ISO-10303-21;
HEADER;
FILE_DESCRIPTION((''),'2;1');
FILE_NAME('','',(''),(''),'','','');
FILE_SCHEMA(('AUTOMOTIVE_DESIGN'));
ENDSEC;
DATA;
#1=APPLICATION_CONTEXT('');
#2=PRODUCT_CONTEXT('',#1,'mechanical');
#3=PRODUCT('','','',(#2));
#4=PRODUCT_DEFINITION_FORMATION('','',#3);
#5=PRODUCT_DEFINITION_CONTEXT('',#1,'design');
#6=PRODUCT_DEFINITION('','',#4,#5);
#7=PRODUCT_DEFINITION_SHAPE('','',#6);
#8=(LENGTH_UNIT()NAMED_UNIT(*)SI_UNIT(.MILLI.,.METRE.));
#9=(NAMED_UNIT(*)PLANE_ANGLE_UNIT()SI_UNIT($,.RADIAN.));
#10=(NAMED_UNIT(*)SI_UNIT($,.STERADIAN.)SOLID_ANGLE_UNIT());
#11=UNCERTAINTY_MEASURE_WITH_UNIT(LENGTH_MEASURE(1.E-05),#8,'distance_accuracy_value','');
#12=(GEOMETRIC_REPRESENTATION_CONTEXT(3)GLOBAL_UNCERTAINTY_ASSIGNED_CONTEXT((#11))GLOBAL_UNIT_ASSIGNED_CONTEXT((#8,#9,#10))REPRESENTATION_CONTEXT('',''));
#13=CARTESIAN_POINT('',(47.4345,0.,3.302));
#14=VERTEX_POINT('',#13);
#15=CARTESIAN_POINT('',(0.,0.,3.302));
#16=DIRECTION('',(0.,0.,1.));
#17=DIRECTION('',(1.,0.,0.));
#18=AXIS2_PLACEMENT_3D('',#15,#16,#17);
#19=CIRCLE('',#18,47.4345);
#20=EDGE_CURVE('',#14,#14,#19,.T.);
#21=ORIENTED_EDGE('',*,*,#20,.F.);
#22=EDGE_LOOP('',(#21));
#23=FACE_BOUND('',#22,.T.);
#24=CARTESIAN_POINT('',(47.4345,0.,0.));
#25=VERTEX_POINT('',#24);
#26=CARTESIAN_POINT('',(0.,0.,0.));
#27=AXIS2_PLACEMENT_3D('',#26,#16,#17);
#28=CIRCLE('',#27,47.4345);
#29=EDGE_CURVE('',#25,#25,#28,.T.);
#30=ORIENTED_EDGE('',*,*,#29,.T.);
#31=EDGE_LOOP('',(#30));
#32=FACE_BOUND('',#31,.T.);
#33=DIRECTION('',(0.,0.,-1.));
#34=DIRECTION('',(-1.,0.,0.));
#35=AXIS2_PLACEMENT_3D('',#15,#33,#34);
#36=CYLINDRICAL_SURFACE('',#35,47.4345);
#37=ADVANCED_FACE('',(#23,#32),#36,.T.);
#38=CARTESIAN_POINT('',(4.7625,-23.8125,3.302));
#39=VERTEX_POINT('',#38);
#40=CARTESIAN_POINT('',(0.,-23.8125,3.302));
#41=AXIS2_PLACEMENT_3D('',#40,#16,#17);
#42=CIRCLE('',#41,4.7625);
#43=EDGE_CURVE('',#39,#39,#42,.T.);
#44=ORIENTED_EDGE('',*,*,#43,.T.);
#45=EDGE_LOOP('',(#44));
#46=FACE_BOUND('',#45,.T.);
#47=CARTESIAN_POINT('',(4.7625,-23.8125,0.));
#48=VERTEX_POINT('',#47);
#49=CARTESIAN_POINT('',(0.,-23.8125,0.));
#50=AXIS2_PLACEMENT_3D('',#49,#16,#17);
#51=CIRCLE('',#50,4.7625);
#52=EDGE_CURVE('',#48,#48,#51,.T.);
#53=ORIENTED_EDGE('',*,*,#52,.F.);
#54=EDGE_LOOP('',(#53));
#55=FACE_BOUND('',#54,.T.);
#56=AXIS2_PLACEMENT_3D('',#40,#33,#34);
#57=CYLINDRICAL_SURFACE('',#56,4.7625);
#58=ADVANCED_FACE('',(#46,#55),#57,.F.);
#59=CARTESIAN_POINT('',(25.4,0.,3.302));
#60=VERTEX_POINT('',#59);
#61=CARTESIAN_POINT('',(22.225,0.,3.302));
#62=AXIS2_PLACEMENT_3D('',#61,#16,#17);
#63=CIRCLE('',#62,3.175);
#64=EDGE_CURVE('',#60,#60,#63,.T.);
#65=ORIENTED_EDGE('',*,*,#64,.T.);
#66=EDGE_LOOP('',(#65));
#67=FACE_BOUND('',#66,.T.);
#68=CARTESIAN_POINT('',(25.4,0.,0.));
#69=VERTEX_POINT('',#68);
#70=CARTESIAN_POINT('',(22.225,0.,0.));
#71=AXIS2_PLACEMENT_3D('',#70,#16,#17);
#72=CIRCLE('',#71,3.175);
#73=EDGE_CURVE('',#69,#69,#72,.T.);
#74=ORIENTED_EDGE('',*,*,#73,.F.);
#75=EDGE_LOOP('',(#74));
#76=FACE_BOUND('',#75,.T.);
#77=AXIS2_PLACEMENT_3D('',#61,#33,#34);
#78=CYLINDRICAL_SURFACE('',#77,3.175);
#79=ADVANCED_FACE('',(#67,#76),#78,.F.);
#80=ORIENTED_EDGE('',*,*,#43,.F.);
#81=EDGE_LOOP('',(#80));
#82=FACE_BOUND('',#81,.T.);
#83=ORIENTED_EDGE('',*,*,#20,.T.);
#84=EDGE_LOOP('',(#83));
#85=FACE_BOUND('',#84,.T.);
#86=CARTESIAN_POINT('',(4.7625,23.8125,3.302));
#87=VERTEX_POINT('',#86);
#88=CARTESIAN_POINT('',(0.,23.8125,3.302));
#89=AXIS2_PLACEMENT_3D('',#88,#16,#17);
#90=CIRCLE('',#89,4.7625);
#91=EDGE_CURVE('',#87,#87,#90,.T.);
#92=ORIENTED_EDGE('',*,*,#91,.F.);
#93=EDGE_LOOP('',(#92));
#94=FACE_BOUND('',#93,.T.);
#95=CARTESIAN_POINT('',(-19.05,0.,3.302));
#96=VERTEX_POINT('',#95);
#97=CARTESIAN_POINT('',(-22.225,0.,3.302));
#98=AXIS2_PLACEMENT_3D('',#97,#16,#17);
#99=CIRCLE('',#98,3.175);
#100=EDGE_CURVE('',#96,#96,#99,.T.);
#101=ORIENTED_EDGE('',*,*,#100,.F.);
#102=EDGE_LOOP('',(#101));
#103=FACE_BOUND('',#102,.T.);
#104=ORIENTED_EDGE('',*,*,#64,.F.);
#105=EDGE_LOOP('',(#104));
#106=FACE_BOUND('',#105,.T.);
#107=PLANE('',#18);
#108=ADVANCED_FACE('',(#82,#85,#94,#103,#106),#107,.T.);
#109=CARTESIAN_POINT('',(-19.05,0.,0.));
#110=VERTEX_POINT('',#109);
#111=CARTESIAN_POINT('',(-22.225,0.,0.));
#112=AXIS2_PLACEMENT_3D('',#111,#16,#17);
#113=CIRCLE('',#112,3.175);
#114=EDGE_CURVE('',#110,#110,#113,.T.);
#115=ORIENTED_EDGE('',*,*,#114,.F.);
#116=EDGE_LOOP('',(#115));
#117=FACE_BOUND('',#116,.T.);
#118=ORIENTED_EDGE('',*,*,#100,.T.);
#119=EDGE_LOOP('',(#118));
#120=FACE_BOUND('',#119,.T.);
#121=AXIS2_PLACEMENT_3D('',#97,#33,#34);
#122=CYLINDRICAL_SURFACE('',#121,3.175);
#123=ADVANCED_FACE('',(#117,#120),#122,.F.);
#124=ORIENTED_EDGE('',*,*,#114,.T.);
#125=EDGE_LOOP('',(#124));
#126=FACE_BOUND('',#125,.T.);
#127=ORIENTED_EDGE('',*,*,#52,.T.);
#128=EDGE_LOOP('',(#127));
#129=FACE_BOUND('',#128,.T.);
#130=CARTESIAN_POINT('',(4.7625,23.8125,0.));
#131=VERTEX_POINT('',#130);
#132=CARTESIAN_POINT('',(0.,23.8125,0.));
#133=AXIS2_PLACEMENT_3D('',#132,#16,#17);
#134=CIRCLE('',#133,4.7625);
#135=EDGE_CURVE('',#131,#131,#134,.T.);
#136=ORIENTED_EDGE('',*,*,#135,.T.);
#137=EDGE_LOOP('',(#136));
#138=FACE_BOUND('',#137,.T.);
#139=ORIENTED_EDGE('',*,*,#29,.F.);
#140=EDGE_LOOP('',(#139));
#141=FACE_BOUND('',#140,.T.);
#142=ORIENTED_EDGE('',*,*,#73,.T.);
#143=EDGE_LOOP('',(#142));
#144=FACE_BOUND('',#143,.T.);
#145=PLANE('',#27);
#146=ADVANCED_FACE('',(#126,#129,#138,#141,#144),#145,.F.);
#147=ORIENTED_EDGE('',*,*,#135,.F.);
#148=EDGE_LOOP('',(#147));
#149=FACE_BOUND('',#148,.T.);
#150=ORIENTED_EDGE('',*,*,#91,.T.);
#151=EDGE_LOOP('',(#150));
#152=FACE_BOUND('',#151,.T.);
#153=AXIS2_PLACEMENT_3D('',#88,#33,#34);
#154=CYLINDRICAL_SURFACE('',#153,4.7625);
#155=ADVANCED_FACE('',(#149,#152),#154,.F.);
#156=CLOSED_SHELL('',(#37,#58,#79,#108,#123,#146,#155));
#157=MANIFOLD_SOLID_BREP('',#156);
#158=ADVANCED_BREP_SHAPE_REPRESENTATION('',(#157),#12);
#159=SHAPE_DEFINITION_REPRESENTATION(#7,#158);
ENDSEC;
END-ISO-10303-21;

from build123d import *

# Parameters (mm, degrees)
SKETCH1_R           = 47.4345
SKETCH1_R_2         = 3.175
SKETCH1_R_3         = 4.7625
BOSS_EXTRUDE1_DEPTH = 3.302


with BuildPart() as part:
    # Sketch1 → Boss-Extrude1 (new body)
    with BuildSketch(Plane.XY):
        Circle(SKETCH1_R)
        with Locations((-22.225, 0)):
            Circle(SKETCH1_R_2, mode=Mode.SUBTRACT)
        with Locations((22.225, 0)):
            Circle(SKETCH1_R_2, mode=Mode.SUBTRACT)
        with Locations((0, -23.8125)):
            Circle(SKETCH1_R_3, mode=Mode.SUBTRACT)
        with Locations((0, 23.8125)):
            Circle(SKETCH1_R_3, mode=Mode.SUBTRACT)
    extrude(amount=BOSS_EXTRUDE1_DEPTH)


solid = part.part
